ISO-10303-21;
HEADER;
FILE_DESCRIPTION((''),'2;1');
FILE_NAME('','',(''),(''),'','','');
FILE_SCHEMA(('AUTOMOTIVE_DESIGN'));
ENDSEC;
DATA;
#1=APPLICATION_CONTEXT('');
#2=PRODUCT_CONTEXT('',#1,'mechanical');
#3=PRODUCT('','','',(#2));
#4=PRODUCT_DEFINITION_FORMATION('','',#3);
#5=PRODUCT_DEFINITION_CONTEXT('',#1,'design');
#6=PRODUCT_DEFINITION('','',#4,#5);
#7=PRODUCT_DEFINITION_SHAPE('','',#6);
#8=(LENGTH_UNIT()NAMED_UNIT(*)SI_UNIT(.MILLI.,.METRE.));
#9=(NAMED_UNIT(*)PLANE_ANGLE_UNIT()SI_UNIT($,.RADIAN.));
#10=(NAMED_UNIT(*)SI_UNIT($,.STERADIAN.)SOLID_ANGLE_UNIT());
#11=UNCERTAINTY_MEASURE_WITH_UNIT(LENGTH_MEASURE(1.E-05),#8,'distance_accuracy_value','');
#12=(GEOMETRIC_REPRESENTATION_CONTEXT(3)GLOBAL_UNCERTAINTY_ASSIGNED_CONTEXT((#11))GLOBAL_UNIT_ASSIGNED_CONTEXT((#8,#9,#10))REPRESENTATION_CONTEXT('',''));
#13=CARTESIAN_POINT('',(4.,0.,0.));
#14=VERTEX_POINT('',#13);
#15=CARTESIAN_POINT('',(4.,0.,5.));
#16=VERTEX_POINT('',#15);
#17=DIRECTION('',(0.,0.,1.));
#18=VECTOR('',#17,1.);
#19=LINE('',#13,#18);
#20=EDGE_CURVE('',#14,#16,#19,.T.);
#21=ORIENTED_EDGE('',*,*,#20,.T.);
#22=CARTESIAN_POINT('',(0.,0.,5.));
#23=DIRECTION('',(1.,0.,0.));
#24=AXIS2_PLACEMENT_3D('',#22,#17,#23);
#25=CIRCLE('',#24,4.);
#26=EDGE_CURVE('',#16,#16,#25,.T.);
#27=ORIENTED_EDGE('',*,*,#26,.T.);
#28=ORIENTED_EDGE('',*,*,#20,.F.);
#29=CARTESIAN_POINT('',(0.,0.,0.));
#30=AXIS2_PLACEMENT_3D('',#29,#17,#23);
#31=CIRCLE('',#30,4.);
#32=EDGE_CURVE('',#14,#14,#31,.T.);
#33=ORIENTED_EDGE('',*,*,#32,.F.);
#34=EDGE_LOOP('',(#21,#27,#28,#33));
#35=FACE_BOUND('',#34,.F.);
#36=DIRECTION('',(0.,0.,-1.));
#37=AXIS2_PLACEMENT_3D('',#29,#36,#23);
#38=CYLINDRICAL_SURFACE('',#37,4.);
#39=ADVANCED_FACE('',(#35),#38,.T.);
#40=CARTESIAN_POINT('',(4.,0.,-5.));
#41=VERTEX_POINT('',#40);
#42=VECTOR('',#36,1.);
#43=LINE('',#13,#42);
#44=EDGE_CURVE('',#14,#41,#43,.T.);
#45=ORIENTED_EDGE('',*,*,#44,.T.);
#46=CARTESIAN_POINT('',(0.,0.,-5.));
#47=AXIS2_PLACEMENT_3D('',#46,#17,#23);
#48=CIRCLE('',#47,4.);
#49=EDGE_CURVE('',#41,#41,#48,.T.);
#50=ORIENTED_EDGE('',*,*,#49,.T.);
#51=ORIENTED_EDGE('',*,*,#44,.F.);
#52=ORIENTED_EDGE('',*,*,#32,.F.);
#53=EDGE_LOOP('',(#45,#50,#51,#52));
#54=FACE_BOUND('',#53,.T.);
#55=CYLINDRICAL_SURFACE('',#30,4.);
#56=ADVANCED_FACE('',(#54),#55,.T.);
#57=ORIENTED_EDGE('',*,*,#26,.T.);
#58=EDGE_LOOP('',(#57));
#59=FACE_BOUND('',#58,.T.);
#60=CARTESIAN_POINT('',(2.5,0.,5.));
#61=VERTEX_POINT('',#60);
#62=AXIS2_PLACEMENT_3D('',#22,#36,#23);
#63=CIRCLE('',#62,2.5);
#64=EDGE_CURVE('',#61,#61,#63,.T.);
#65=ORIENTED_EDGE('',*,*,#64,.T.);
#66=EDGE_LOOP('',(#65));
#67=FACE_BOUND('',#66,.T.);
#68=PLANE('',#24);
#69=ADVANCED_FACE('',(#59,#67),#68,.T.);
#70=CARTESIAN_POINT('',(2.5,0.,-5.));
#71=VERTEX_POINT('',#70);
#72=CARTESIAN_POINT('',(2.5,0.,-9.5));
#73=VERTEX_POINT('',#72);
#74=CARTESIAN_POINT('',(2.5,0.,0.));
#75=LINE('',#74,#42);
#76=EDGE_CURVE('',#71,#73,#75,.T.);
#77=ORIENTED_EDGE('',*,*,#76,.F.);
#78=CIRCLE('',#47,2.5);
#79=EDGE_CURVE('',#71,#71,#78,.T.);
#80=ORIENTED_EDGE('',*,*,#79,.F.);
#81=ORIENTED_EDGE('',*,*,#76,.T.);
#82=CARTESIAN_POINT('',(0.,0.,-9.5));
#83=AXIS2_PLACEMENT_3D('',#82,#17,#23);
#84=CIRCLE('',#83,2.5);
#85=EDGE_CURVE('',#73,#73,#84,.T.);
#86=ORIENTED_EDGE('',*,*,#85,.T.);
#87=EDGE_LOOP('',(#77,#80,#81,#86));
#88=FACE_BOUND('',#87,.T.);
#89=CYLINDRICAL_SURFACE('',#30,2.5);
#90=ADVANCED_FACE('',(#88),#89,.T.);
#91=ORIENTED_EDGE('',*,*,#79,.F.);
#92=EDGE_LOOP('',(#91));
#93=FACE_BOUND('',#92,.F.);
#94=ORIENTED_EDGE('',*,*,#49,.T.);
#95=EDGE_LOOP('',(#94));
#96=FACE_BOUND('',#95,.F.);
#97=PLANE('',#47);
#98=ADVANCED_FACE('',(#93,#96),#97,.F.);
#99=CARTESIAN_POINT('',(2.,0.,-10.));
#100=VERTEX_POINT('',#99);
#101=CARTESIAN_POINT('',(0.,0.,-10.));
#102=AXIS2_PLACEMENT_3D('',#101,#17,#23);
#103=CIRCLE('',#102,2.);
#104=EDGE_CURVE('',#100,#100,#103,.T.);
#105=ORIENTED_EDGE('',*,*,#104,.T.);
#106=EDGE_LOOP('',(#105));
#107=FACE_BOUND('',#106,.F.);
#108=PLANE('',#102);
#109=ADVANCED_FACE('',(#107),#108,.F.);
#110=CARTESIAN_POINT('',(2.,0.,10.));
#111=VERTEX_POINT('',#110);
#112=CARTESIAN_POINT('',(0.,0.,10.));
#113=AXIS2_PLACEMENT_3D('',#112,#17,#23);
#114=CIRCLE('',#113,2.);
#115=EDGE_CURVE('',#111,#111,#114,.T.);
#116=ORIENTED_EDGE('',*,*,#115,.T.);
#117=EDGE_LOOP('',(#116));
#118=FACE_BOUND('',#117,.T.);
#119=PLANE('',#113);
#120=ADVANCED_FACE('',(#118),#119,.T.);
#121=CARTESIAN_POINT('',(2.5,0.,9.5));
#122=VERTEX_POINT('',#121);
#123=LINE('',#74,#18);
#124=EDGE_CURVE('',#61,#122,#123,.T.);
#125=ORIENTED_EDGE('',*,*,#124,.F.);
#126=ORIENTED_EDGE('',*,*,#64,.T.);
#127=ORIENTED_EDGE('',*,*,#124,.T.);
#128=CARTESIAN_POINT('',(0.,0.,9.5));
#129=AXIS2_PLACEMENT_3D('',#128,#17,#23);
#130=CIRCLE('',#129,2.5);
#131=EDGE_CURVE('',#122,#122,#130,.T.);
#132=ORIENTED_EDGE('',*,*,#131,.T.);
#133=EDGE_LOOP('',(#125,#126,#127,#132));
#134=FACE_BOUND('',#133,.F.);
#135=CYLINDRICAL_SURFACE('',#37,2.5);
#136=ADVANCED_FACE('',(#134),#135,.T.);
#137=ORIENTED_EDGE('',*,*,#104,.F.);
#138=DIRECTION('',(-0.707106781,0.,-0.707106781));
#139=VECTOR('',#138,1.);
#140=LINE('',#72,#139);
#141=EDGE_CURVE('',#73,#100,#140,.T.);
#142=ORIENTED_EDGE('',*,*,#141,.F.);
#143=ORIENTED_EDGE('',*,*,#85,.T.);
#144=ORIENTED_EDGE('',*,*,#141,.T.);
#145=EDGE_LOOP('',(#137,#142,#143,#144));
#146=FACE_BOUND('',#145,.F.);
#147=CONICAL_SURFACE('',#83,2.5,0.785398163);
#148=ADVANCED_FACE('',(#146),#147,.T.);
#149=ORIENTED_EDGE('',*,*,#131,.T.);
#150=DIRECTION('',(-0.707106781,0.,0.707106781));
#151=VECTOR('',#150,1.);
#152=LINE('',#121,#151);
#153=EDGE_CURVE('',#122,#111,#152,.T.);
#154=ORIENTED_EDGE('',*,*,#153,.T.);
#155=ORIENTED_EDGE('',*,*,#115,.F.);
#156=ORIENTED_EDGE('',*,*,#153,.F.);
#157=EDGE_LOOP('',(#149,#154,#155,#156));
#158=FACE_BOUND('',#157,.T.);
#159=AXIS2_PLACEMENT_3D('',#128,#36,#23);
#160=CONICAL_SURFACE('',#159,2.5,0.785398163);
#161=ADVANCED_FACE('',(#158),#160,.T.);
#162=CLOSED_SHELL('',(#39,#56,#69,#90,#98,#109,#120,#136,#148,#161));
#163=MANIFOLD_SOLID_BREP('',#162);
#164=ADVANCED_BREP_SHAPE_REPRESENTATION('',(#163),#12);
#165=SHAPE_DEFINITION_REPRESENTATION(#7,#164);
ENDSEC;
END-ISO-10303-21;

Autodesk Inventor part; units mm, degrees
ref_plane "YZ Plane" through (0, 0, 0) normal (1, 0, 0) x (0, 1, 0)
ref_plane "XZ Plane" through (0, 0, 0) normal (0, 1, 0) x (-1, 0, 0)
ref_plane "XY Plane" through (0, 0, 0) normal (0, 0, 1) x (1, 0, 0)
sketch "Sketch1" plane through (0, 0, 0) normal (0, 0, 1) x (1, 0, 0)
  circle A0 centre (0, 0) radius 2.5
  dimension "d0" = 5
extrude "Extrusion1" add sketch "Sketch1" along normal mid plane 20
chamfer "Chamfer1" distance 0.5 angle 45 2 edges at (-2.5, 0, 10) (-2.5, 0, -10)
sketch "Sketch2" plane through (0, 0, 0) normal (0, 0, 1) x (1, 0, 0)
  circle A0 centre (0, 0) radius 2 projected
  circle A1 centre (0, 0) radius 4
  dimension "d6" = 8
extrude "Extrusion2" add sketch "Sketch2" along normal mid plane 10
properties part number "Lock pin"
